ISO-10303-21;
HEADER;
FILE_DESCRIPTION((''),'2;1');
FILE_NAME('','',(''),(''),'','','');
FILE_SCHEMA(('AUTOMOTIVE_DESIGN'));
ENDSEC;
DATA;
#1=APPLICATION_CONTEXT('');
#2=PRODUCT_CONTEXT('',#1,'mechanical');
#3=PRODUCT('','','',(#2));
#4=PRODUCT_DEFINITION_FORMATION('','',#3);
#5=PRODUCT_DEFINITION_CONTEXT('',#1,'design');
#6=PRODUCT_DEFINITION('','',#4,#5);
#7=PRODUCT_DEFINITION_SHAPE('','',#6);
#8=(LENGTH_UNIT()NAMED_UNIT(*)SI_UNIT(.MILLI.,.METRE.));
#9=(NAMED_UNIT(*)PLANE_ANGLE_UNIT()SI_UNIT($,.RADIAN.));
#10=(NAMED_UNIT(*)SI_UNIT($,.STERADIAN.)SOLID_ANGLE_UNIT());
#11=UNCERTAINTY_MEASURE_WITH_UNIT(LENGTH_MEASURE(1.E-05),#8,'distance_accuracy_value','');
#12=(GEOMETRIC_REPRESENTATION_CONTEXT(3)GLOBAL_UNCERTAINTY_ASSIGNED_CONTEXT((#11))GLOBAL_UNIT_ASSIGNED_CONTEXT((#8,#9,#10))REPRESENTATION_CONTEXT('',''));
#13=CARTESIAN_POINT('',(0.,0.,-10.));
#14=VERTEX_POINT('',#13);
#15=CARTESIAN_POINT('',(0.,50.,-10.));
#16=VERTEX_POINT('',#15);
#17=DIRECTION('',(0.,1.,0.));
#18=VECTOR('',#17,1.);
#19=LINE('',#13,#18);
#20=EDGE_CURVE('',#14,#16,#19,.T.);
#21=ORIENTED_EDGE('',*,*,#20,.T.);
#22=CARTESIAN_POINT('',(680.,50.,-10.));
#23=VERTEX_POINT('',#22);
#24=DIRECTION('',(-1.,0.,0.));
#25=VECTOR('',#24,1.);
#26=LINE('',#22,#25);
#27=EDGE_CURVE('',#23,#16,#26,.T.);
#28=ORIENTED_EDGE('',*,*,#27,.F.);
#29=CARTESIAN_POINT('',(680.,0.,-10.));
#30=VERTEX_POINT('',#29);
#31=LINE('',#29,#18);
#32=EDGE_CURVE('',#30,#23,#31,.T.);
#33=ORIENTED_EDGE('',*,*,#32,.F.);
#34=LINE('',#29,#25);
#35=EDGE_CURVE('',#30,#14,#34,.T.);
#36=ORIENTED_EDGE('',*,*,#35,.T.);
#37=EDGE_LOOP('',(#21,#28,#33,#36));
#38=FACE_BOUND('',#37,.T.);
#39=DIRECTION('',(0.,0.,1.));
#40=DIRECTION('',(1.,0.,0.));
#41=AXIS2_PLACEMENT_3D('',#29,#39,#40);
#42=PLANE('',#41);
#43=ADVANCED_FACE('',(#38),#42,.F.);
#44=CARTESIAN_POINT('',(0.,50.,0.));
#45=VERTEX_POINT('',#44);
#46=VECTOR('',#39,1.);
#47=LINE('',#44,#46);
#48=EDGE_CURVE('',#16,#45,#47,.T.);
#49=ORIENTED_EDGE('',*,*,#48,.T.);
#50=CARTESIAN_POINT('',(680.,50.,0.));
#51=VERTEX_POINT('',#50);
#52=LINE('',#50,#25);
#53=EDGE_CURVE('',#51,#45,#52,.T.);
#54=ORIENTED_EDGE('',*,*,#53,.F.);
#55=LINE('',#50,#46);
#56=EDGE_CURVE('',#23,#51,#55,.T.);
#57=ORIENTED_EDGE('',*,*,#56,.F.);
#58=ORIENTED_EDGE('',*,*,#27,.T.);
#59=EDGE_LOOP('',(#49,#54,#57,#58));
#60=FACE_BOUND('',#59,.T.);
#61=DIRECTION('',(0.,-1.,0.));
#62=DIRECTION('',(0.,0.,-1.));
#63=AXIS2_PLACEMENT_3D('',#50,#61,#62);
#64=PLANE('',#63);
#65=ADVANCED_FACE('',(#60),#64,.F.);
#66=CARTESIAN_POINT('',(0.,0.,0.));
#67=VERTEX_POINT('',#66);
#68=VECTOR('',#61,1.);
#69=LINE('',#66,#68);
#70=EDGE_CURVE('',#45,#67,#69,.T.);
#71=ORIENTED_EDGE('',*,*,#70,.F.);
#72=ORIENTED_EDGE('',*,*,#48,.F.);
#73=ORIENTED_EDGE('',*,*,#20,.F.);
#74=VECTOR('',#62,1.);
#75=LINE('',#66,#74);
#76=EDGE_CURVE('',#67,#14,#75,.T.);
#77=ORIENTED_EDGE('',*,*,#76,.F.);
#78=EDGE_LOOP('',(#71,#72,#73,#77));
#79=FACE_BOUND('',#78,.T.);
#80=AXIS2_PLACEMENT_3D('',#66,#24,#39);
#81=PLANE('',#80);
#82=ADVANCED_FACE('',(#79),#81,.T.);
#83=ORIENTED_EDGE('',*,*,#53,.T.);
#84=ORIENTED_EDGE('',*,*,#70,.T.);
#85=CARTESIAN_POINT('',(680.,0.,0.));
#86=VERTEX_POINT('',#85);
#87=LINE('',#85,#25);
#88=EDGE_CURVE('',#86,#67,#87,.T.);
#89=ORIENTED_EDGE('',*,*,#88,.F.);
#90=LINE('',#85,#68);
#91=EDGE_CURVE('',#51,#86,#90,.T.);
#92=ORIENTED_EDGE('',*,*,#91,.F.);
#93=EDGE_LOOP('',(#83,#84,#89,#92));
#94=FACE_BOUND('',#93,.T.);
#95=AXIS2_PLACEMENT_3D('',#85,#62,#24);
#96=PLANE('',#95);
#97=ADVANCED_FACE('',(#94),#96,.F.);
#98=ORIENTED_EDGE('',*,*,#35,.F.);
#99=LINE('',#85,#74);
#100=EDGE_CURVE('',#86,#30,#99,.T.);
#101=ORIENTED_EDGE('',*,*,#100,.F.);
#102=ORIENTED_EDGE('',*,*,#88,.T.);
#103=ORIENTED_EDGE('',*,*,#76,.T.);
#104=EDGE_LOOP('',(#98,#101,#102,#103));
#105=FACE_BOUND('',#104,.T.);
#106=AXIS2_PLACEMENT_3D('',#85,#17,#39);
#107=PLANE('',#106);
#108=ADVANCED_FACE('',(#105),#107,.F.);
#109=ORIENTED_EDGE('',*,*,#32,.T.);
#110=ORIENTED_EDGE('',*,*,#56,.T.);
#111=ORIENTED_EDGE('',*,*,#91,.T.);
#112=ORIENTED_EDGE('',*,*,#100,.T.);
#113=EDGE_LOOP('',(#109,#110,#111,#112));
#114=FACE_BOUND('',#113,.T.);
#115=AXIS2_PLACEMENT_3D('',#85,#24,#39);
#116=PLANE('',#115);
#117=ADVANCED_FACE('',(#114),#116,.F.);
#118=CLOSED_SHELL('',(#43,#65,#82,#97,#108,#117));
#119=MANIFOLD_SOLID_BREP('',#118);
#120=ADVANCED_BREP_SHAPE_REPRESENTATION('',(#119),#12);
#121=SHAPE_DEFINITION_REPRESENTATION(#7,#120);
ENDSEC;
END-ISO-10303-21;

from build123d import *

# Parameters (mm, degrees)
SKETCH_1_W      = 10
SKETCH_1_H      = 50
EXTRUDE_1_DEPTH = 680


with BuildPart() as part:
    # Эскиз1 → Бобышка-Вытянуть1 (new body)
    with BuildSketch(Plane(origin=(0, 0, 0), x_dir=(0, 0, -1), z_dir=(1, 0, 0))):
        with Locations((5, 25)):
            Rectangle(SKETCH_1_W, SKETCH_1_H)
    extrude(amount=EXTRUDE_1_DEPTH)


solid = part.part
